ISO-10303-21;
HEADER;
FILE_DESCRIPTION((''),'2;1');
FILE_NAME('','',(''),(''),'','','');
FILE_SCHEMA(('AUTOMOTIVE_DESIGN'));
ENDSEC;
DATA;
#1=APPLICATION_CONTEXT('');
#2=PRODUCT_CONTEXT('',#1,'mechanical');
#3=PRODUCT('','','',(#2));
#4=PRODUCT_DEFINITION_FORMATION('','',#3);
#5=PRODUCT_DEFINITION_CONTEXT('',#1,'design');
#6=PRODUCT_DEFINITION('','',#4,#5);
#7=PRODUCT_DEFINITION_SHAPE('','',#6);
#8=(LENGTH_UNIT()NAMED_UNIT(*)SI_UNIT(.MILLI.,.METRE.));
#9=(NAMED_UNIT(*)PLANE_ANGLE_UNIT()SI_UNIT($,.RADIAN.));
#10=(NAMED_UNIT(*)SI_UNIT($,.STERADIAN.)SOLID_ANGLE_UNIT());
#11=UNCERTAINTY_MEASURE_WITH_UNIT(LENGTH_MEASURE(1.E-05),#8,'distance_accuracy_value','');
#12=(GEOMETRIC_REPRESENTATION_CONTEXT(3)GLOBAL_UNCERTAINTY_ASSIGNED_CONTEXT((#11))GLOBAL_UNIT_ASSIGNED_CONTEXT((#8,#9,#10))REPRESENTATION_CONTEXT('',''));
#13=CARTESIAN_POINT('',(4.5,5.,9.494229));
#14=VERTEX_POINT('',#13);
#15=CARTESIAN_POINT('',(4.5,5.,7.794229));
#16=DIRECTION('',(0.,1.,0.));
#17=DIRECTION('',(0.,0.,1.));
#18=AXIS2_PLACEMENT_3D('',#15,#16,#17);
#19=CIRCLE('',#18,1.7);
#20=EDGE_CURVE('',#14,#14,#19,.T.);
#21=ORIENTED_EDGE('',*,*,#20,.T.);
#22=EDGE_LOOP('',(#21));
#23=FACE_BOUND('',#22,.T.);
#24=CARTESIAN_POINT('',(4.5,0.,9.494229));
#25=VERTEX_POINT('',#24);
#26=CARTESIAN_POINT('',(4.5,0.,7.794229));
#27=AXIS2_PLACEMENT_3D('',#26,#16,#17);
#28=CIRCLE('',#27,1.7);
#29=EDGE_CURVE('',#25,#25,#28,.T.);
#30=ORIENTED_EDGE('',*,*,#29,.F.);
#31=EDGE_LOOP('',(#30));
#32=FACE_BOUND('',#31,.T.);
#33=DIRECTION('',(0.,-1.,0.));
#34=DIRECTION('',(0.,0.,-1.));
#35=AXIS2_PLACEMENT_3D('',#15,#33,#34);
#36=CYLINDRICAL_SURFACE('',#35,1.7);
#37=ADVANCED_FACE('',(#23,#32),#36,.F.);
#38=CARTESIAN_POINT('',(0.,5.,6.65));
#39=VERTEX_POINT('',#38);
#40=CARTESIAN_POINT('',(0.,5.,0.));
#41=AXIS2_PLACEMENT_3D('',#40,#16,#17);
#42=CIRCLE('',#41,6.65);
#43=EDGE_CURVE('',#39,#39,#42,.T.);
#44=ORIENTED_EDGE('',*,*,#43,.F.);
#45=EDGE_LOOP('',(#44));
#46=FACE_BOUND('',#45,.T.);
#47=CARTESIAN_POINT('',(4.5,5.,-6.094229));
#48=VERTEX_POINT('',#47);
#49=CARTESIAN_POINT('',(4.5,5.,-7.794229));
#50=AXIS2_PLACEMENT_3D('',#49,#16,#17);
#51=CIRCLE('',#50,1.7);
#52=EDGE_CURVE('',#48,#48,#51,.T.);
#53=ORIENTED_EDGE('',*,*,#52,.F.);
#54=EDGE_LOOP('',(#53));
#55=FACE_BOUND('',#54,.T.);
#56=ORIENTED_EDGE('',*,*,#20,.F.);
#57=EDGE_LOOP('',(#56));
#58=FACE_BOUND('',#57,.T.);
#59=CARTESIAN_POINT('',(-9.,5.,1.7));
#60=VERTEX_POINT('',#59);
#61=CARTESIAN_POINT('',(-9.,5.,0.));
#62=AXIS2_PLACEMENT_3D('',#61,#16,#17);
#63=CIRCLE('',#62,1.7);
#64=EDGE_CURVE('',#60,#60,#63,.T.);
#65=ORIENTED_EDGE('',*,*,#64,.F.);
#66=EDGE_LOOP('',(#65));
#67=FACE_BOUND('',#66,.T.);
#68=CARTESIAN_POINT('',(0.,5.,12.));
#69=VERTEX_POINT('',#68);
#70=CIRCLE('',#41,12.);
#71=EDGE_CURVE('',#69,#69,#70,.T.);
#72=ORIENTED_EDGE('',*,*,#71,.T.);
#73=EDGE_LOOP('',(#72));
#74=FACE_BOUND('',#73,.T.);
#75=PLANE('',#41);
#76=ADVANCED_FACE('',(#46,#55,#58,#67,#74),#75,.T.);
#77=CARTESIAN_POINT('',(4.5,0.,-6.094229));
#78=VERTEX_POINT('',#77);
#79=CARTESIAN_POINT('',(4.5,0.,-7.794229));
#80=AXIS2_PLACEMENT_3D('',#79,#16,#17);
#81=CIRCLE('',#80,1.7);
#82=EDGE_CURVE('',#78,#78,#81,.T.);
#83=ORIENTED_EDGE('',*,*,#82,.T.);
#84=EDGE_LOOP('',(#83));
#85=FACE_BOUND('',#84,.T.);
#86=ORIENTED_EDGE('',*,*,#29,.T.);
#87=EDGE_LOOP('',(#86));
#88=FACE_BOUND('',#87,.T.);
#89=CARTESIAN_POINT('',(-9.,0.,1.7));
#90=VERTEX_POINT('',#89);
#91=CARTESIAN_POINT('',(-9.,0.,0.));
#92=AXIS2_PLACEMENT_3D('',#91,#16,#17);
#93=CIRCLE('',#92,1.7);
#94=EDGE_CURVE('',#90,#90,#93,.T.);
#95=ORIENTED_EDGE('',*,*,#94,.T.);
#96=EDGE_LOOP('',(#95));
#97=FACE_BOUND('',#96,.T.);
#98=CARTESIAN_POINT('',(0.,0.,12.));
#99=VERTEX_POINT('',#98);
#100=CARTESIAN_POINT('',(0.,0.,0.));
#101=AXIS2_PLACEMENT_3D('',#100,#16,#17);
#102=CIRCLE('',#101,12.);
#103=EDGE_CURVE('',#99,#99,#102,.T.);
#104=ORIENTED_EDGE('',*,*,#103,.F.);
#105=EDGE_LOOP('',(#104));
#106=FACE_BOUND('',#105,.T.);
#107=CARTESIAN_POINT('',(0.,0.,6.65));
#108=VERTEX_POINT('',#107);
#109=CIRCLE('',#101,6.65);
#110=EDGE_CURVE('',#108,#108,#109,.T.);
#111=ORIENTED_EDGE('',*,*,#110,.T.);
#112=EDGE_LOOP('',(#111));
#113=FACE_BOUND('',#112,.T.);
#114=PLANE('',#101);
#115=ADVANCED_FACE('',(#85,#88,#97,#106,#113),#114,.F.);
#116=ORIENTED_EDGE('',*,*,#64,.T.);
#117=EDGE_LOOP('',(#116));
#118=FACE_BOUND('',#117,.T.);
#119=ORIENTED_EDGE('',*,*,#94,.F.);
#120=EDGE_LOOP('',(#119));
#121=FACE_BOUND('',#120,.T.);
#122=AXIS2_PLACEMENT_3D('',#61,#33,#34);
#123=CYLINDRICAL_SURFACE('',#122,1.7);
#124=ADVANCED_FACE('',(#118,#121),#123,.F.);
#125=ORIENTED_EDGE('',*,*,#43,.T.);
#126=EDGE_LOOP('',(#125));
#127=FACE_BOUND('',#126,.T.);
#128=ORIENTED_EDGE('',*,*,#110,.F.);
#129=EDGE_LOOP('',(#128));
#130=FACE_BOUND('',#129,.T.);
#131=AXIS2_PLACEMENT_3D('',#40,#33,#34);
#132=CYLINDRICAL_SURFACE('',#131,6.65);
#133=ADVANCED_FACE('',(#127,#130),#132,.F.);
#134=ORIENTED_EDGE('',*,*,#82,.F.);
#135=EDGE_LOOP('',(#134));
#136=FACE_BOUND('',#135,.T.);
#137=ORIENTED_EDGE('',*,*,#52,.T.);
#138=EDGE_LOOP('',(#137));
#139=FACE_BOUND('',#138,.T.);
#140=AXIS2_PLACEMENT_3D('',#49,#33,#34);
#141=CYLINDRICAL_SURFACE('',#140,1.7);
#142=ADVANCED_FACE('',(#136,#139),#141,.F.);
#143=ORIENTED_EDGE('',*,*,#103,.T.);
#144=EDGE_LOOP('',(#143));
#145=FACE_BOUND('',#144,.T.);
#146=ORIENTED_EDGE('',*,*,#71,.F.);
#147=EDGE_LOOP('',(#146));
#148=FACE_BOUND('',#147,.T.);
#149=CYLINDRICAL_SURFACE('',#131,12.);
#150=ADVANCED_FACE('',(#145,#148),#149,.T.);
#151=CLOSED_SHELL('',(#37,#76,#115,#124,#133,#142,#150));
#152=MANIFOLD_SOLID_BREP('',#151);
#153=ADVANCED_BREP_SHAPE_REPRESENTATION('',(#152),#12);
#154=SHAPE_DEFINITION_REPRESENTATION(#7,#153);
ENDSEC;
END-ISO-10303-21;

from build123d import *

# Parameters (mm, degrees)
SKETCH_1_R      = 12
SKETCH_1_R_2    = 6.65
SKETCH_1_R_3    = 1.7
EXTRUDE_1_DEPTH = 5


with BuildPart() as part:
    # Эскиз1 → Бобышка-Вытянуть1 (new body)
    with BuildSketch(Plane(origin=(0, 0, 0), x_dir=(1, 0, 0), z_dir=(0, 1, 0))):
        with Locations(Location((0, 0, 0), (0, 0, 270))):
            Circle(SKETCH_1_R)
        with Locations(Location((0, 0, 0), (0, 0, 270))):
            Circle(SKETCH_1_R_2, mode=Mode.SUBTRACT)
        with Locations(Location((-9, 0, 0), (0, 0, 270))):
            Circle(SKETCH_1_R_3, mode=Mode.SUBTRACT)
        with Locations(Location((4.5, 7.794228634, 0), (0, 0, 270))):
            Circle(SKETCH_1_R_3, mode=Mode.SUBTRACT)
        with Locations(Location((4.5, -7.794228634, 0), (0, 0, 270))):
            Circle(SKETCH_1_R_3, mode=Mode.SUBTRACT)
    extrude(amount=EXTRUDE_1_DEPTH)


solid = part.part
